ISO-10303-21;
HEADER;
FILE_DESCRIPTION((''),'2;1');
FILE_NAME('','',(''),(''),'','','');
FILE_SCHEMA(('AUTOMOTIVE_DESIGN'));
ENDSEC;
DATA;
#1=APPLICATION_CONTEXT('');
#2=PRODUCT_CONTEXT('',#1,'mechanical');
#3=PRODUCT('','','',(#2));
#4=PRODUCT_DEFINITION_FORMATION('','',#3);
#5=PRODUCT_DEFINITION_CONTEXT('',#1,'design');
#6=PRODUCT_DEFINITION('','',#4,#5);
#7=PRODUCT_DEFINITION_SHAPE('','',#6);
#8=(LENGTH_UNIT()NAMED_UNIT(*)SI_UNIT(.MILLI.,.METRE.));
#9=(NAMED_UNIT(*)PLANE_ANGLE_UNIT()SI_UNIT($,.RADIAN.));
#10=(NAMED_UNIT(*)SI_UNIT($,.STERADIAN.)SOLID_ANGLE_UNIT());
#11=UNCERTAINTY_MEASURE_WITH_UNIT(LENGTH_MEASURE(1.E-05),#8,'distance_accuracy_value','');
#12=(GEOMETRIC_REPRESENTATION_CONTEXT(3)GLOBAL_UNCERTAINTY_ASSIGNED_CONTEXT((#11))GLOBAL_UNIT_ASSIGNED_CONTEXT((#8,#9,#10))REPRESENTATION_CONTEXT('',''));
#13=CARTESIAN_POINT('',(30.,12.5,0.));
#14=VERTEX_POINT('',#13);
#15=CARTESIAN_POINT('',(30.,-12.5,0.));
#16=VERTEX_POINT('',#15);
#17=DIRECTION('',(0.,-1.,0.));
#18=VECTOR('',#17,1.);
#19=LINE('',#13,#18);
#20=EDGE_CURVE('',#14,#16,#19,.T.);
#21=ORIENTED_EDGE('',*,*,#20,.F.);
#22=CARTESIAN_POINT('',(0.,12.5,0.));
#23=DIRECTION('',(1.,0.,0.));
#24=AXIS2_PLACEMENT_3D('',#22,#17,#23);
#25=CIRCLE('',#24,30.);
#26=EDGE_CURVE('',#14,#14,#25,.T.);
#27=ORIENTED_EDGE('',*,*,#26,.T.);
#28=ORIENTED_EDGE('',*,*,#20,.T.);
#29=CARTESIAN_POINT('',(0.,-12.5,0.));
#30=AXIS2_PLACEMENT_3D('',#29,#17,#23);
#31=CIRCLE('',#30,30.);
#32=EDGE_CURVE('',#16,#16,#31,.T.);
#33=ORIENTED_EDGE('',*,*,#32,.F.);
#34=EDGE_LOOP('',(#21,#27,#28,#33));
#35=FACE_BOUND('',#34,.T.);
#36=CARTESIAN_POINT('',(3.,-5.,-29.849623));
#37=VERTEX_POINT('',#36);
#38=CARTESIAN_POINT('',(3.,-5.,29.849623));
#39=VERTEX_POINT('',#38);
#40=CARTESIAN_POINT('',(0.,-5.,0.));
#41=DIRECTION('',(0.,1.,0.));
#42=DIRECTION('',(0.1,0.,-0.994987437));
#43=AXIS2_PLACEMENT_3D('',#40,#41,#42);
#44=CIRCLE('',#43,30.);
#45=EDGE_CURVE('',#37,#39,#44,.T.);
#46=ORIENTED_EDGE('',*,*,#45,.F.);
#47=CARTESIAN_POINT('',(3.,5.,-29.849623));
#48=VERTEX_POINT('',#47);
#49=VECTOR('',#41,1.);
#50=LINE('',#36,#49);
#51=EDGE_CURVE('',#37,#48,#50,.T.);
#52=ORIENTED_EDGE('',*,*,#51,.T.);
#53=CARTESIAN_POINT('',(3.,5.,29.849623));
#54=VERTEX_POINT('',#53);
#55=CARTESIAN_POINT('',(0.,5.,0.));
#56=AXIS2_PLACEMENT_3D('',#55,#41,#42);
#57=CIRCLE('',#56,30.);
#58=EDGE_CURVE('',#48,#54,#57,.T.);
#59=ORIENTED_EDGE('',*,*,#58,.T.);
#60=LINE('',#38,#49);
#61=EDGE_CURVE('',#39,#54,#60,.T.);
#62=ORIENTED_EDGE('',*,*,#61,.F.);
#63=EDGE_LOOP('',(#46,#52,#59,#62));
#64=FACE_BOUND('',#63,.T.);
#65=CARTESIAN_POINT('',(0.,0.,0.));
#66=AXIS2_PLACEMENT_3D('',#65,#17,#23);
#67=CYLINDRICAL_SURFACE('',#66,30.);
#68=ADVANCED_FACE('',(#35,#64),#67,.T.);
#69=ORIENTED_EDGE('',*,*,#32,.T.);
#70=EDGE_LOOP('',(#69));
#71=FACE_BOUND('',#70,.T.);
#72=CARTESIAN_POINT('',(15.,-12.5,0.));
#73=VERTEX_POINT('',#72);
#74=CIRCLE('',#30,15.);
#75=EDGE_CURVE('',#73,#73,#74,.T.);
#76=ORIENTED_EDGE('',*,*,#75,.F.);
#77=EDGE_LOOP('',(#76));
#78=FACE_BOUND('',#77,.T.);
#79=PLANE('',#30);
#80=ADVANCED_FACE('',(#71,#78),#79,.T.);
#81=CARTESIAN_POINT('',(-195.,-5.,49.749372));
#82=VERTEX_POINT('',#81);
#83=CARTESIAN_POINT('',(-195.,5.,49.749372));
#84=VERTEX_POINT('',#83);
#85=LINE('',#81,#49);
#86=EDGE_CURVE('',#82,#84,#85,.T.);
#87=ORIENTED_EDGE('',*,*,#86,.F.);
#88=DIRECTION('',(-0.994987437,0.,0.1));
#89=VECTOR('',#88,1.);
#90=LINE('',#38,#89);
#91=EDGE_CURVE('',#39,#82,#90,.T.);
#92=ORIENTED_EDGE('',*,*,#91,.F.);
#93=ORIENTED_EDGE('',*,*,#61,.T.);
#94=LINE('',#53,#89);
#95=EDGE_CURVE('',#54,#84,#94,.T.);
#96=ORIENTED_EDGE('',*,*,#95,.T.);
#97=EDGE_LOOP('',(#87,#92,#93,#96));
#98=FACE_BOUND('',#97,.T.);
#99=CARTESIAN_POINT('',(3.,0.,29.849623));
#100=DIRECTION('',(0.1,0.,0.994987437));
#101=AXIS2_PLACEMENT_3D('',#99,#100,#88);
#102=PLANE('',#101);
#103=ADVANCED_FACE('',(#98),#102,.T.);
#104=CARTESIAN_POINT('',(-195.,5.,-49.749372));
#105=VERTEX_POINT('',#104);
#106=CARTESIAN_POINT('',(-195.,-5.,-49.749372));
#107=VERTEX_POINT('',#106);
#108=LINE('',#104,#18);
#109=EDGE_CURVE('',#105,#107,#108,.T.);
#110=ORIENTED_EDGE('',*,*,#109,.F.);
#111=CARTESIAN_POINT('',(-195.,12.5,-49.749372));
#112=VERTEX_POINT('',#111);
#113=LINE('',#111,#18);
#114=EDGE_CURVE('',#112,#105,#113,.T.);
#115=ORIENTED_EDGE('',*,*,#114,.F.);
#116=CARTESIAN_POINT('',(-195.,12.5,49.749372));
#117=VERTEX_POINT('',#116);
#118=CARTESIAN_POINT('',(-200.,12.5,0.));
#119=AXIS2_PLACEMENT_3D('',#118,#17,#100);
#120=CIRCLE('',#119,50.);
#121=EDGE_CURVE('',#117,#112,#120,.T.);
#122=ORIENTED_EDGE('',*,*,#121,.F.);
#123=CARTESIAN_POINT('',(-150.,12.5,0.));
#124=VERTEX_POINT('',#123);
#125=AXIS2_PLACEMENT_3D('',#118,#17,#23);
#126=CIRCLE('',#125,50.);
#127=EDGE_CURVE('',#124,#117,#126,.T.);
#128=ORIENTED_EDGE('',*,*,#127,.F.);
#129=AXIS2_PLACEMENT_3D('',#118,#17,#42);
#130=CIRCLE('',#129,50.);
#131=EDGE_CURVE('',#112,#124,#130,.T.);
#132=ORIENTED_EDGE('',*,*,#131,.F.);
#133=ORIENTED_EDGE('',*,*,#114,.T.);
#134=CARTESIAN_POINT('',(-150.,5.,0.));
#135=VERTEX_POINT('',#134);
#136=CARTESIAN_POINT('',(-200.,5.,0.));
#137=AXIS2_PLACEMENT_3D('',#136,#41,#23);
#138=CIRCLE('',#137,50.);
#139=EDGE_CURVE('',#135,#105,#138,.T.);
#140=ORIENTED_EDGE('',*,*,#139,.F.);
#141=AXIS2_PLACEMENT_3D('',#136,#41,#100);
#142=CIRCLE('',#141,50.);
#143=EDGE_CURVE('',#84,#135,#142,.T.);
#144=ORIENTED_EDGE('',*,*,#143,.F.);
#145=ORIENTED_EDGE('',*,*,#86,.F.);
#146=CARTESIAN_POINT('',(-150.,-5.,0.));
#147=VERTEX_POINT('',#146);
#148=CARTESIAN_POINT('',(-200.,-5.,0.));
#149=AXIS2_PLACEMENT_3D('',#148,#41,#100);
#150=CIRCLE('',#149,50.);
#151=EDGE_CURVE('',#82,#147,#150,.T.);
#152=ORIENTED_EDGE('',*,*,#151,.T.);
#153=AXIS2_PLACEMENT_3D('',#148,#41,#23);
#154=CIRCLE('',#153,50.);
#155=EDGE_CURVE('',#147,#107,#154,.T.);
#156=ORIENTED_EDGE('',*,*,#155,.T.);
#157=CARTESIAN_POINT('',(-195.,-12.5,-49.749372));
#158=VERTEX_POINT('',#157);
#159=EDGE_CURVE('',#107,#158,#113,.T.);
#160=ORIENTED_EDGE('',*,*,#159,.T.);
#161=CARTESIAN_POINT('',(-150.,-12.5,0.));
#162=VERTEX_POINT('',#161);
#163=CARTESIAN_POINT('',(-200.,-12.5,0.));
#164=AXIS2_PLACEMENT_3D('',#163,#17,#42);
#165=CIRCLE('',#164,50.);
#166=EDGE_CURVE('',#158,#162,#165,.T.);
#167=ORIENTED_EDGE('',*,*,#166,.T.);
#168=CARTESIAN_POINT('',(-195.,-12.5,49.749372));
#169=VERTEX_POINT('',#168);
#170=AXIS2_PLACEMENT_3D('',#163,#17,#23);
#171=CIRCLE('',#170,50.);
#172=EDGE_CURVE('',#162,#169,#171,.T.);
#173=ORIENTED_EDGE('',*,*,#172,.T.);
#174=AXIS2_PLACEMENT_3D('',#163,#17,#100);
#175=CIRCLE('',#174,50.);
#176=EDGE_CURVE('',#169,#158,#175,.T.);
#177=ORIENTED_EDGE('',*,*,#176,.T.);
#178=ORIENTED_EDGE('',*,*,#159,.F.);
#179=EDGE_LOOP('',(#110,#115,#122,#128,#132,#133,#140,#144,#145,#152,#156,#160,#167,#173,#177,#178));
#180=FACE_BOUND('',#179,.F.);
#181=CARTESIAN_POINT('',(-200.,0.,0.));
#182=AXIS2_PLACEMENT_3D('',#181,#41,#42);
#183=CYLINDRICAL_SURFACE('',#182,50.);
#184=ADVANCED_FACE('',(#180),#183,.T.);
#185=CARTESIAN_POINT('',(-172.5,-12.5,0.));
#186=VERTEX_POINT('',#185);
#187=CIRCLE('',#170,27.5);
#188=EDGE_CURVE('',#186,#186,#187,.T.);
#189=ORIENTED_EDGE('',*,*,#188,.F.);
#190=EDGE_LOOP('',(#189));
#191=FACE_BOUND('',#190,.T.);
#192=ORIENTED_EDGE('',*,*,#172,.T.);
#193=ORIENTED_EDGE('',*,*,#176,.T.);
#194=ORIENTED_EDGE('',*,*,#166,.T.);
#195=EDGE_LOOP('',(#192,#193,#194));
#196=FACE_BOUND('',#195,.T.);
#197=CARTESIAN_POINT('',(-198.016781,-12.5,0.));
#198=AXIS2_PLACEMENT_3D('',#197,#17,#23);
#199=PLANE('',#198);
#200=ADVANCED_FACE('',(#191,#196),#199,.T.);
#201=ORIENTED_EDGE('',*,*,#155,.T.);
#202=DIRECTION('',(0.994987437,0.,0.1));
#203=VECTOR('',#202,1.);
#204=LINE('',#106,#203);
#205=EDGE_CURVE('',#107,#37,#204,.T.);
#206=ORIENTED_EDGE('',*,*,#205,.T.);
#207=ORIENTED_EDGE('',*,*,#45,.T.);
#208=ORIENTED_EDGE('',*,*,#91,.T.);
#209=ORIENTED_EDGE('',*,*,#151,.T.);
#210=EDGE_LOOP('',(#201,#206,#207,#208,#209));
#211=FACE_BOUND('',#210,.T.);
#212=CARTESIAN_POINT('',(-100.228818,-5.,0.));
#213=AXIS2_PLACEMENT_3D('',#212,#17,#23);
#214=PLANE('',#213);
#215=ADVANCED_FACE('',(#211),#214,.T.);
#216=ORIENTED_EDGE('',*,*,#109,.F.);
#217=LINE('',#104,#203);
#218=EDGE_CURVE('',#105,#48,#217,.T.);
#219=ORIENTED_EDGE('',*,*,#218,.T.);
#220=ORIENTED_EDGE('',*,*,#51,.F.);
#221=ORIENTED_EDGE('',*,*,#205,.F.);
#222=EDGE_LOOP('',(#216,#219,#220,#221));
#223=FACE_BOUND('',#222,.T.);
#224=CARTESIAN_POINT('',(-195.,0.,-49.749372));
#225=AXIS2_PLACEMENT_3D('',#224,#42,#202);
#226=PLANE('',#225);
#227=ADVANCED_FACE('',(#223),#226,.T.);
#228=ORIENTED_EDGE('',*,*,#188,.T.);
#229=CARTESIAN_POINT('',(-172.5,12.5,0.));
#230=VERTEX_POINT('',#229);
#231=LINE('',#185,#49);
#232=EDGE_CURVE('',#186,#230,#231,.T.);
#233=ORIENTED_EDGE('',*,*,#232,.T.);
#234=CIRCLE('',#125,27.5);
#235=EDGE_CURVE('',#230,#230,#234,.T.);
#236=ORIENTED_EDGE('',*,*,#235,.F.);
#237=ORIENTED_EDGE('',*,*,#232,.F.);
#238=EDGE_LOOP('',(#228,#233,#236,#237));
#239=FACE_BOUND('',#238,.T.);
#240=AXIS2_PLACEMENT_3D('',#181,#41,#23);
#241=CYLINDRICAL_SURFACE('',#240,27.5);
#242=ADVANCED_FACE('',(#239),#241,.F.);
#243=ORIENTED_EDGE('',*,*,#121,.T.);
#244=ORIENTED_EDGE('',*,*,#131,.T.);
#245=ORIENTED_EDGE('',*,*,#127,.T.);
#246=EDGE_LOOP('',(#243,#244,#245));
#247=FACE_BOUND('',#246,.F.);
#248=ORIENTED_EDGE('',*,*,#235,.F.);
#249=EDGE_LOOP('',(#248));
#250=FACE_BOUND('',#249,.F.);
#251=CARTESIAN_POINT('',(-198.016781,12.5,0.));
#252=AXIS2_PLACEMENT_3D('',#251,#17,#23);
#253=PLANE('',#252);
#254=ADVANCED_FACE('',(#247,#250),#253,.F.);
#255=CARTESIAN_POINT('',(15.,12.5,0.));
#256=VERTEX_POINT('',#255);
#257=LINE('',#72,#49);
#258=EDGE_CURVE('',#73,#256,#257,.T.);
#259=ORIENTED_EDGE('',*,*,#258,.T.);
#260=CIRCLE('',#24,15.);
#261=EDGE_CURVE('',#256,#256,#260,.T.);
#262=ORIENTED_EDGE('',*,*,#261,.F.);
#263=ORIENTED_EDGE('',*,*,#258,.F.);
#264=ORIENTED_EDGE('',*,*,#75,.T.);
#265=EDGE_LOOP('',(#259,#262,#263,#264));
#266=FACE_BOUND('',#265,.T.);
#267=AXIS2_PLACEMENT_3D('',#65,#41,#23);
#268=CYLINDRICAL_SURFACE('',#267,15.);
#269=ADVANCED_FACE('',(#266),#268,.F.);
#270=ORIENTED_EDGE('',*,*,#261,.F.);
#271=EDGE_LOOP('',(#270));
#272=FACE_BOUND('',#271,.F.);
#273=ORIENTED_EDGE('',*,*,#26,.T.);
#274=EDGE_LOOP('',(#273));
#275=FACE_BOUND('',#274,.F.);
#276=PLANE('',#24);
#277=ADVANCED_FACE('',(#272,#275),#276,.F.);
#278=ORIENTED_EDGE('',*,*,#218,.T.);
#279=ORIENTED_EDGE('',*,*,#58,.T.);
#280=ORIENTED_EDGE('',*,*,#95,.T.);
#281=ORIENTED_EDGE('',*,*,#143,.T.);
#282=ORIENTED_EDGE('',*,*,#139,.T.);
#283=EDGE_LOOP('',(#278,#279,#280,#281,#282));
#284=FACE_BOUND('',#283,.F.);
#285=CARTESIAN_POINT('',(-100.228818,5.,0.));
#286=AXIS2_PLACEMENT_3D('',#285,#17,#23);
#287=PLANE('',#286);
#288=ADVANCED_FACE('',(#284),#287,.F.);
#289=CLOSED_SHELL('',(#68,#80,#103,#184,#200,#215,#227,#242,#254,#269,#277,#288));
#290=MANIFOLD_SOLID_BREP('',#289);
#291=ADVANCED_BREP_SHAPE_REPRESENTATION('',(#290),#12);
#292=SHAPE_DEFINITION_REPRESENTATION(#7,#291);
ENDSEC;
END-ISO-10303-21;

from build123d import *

# Parameters (mm, degrees)
F1_DEPTH = 5
F0_R     = 27.5
F0_R_2   = 15
F2_DEPTH = 12.5


with BuildPart() as f1:
    # F0 (on Front) → F1 (new body, symmetric)
    with BuildSketch(Plane.XZ):
        with BuildLine():
            ThreePointArc((-195, 49.7493718553), (-162.9190075645, 33.5410196625), (-150, 0))
            ThreePointArc((-150, 0), (-162.9190075645, -33.5410196625), (-195, -49.7493718553))
            Line((-195, -49.7493718553), (3, -29.8496231132))
            ThreePointArc((3, -29.8496231132), (-30, 0), (3, 29.8496231132))
            Line((3, 29.8496231132), (-195, 49.7493718553))
        make_face()
    extrude(amount=F1_DEPTH, both=True)

    # F0 (on Front) → F2 (join, symmetric)
    with BuildSketch(Plane.XZ):
        with BuildLine():
            ThreePointArc((-195, -49.7493718553), (-162.9190075645, -33.5410196625), (-150, 0))
            ThreePointArc((-150, 0), (-162.9190075645, 33.5410196625), (-195, 49.7493718553))
            ThreePointArc((-195, 49.7493718553), (-250, 0), (-195, -49.7493718553))
        make_face()
        with Locations((-200, 0)):
            Circle(F0_R, mode=Mode.SUBTRACT)
        with BuildLine():
            ThreePointArc((30, 0), (22.2485954613, 20.1246117975), (3, 29.8496231132))
            ThreePointArc((3, 29.8496231132), (-30, 0), (3, -29.8496231132))
            ThreePointArc((3, -29.8496231132), (22.2485954613, -20.1246117975), (30, 0))
        make_face()
        Circle(F0_R_2, mode=Mode.SUBTRACT)
    extrude(amount=F2_DEPTH, both=True)


solid = f1.part
